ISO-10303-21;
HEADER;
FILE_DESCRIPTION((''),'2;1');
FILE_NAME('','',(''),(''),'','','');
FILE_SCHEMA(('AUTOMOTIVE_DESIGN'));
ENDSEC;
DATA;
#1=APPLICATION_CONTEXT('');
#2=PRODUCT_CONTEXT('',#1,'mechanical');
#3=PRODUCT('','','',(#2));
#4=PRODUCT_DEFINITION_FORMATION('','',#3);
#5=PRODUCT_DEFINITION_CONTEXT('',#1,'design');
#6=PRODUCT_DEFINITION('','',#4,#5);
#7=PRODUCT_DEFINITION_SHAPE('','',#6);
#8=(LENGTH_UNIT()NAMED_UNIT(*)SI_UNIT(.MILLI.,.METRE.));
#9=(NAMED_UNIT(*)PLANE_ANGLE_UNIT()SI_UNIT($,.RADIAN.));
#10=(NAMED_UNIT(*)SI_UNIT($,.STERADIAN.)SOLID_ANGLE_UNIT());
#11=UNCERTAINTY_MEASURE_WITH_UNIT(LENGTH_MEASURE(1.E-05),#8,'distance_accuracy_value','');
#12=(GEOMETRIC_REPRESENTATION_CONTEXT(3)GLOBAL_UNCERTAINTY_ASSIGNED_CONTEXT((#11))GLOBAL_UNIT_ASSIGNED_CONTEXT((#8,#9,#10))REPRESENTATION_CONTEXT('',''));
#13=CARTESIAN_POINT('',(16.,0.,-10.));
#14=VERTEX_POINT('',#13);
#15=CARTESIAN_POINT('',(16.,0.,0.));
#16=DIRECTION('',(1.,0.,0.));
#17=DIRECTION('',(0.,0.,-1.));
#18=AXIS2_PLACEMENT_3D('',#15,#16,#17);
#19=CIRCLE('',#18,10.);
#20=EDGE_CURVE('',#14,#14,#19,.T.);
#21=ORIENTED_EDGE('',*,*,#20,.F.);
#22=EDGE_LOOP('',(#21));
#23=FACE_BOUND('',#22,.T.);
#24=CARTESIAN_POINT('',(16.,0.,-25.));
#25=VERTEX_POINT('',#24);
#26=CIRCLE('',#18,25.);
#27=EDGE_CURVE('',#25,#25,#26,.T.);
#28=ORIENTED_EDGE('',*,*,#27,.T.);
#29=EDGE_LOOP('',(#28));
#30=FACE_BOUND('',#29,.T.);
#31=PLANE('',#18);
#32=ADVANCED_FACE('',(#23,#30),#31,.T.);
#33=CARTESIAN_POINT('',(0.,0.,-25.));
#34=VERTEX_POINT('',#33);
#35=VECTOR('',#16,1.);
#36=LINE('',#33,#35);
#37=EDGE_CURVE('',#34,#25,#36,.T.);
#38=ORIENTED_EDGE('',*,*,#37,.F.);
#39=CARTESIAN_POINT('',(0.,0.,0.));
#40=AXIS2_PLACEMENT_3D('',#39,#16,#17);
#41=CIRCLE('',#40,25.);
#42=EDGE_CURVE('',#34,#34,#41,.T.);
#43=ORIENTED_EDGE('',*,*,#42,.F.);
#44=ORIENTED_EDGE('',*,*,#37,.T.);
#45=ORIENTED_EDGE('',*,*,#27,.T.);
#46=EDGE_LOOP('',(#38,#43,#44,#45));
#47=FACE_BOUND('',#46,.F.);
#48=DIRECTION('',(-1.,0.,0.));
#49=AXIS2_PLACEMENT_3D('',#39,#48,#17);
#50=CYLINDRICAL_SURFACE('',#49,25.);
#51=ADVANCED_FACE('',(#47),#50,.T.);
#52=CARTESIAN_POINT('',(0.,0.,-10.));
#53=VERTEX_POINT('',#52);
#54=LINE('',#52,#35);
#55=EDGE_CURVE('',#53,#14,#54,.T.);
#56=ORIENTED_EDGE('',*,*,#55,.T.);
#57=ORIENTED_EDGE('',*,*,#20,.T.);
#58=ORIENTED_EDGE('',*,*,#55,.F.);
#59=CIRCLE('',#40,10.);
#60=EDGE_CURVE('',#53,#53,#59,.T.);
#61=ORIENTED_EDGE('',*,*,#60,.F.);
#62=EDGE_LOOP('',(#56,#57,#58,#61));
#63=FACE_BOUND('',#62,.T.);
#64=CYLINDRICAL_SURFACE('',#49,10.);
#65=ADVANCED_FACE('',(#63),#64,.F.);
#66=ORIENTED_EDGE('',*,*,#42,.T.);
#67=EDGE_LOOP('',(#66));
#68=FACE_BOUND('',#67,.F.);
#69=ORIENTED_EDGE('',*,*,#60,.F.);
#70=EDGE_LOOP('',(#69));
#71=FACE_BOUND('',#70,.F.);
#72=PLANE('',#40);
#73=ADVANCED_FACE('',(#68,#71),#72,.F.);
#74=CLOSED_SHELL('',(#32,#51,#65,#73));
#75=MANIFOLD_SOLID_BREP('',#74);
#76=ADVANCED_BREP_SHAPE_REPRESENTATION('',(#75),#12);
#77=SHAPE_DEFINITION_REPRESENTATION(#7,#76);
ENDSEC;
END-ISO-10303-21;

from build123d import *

# Parameters (mm, degrees)
SKETCH_1_R      = 25
SKETCH_1_R_2    = 10
EXTRUDE_1_DEPTH = 16


with BuildPart() as part:
    # 草图1 → 凸台-拉伸1 (new body)
    with BuildSketch(Plane(origin=(0, 0, 0), x_dir=(0, 0, -1), z_dir=(1, 0, 0))):
        Circle(SKETCH_1_R)
        Circle(SKETCH_1_R_2, mode=Mode.SUBTRACT)
    extrude(amount=EXTRUDE_1_DEPTH)


solid = part.part
